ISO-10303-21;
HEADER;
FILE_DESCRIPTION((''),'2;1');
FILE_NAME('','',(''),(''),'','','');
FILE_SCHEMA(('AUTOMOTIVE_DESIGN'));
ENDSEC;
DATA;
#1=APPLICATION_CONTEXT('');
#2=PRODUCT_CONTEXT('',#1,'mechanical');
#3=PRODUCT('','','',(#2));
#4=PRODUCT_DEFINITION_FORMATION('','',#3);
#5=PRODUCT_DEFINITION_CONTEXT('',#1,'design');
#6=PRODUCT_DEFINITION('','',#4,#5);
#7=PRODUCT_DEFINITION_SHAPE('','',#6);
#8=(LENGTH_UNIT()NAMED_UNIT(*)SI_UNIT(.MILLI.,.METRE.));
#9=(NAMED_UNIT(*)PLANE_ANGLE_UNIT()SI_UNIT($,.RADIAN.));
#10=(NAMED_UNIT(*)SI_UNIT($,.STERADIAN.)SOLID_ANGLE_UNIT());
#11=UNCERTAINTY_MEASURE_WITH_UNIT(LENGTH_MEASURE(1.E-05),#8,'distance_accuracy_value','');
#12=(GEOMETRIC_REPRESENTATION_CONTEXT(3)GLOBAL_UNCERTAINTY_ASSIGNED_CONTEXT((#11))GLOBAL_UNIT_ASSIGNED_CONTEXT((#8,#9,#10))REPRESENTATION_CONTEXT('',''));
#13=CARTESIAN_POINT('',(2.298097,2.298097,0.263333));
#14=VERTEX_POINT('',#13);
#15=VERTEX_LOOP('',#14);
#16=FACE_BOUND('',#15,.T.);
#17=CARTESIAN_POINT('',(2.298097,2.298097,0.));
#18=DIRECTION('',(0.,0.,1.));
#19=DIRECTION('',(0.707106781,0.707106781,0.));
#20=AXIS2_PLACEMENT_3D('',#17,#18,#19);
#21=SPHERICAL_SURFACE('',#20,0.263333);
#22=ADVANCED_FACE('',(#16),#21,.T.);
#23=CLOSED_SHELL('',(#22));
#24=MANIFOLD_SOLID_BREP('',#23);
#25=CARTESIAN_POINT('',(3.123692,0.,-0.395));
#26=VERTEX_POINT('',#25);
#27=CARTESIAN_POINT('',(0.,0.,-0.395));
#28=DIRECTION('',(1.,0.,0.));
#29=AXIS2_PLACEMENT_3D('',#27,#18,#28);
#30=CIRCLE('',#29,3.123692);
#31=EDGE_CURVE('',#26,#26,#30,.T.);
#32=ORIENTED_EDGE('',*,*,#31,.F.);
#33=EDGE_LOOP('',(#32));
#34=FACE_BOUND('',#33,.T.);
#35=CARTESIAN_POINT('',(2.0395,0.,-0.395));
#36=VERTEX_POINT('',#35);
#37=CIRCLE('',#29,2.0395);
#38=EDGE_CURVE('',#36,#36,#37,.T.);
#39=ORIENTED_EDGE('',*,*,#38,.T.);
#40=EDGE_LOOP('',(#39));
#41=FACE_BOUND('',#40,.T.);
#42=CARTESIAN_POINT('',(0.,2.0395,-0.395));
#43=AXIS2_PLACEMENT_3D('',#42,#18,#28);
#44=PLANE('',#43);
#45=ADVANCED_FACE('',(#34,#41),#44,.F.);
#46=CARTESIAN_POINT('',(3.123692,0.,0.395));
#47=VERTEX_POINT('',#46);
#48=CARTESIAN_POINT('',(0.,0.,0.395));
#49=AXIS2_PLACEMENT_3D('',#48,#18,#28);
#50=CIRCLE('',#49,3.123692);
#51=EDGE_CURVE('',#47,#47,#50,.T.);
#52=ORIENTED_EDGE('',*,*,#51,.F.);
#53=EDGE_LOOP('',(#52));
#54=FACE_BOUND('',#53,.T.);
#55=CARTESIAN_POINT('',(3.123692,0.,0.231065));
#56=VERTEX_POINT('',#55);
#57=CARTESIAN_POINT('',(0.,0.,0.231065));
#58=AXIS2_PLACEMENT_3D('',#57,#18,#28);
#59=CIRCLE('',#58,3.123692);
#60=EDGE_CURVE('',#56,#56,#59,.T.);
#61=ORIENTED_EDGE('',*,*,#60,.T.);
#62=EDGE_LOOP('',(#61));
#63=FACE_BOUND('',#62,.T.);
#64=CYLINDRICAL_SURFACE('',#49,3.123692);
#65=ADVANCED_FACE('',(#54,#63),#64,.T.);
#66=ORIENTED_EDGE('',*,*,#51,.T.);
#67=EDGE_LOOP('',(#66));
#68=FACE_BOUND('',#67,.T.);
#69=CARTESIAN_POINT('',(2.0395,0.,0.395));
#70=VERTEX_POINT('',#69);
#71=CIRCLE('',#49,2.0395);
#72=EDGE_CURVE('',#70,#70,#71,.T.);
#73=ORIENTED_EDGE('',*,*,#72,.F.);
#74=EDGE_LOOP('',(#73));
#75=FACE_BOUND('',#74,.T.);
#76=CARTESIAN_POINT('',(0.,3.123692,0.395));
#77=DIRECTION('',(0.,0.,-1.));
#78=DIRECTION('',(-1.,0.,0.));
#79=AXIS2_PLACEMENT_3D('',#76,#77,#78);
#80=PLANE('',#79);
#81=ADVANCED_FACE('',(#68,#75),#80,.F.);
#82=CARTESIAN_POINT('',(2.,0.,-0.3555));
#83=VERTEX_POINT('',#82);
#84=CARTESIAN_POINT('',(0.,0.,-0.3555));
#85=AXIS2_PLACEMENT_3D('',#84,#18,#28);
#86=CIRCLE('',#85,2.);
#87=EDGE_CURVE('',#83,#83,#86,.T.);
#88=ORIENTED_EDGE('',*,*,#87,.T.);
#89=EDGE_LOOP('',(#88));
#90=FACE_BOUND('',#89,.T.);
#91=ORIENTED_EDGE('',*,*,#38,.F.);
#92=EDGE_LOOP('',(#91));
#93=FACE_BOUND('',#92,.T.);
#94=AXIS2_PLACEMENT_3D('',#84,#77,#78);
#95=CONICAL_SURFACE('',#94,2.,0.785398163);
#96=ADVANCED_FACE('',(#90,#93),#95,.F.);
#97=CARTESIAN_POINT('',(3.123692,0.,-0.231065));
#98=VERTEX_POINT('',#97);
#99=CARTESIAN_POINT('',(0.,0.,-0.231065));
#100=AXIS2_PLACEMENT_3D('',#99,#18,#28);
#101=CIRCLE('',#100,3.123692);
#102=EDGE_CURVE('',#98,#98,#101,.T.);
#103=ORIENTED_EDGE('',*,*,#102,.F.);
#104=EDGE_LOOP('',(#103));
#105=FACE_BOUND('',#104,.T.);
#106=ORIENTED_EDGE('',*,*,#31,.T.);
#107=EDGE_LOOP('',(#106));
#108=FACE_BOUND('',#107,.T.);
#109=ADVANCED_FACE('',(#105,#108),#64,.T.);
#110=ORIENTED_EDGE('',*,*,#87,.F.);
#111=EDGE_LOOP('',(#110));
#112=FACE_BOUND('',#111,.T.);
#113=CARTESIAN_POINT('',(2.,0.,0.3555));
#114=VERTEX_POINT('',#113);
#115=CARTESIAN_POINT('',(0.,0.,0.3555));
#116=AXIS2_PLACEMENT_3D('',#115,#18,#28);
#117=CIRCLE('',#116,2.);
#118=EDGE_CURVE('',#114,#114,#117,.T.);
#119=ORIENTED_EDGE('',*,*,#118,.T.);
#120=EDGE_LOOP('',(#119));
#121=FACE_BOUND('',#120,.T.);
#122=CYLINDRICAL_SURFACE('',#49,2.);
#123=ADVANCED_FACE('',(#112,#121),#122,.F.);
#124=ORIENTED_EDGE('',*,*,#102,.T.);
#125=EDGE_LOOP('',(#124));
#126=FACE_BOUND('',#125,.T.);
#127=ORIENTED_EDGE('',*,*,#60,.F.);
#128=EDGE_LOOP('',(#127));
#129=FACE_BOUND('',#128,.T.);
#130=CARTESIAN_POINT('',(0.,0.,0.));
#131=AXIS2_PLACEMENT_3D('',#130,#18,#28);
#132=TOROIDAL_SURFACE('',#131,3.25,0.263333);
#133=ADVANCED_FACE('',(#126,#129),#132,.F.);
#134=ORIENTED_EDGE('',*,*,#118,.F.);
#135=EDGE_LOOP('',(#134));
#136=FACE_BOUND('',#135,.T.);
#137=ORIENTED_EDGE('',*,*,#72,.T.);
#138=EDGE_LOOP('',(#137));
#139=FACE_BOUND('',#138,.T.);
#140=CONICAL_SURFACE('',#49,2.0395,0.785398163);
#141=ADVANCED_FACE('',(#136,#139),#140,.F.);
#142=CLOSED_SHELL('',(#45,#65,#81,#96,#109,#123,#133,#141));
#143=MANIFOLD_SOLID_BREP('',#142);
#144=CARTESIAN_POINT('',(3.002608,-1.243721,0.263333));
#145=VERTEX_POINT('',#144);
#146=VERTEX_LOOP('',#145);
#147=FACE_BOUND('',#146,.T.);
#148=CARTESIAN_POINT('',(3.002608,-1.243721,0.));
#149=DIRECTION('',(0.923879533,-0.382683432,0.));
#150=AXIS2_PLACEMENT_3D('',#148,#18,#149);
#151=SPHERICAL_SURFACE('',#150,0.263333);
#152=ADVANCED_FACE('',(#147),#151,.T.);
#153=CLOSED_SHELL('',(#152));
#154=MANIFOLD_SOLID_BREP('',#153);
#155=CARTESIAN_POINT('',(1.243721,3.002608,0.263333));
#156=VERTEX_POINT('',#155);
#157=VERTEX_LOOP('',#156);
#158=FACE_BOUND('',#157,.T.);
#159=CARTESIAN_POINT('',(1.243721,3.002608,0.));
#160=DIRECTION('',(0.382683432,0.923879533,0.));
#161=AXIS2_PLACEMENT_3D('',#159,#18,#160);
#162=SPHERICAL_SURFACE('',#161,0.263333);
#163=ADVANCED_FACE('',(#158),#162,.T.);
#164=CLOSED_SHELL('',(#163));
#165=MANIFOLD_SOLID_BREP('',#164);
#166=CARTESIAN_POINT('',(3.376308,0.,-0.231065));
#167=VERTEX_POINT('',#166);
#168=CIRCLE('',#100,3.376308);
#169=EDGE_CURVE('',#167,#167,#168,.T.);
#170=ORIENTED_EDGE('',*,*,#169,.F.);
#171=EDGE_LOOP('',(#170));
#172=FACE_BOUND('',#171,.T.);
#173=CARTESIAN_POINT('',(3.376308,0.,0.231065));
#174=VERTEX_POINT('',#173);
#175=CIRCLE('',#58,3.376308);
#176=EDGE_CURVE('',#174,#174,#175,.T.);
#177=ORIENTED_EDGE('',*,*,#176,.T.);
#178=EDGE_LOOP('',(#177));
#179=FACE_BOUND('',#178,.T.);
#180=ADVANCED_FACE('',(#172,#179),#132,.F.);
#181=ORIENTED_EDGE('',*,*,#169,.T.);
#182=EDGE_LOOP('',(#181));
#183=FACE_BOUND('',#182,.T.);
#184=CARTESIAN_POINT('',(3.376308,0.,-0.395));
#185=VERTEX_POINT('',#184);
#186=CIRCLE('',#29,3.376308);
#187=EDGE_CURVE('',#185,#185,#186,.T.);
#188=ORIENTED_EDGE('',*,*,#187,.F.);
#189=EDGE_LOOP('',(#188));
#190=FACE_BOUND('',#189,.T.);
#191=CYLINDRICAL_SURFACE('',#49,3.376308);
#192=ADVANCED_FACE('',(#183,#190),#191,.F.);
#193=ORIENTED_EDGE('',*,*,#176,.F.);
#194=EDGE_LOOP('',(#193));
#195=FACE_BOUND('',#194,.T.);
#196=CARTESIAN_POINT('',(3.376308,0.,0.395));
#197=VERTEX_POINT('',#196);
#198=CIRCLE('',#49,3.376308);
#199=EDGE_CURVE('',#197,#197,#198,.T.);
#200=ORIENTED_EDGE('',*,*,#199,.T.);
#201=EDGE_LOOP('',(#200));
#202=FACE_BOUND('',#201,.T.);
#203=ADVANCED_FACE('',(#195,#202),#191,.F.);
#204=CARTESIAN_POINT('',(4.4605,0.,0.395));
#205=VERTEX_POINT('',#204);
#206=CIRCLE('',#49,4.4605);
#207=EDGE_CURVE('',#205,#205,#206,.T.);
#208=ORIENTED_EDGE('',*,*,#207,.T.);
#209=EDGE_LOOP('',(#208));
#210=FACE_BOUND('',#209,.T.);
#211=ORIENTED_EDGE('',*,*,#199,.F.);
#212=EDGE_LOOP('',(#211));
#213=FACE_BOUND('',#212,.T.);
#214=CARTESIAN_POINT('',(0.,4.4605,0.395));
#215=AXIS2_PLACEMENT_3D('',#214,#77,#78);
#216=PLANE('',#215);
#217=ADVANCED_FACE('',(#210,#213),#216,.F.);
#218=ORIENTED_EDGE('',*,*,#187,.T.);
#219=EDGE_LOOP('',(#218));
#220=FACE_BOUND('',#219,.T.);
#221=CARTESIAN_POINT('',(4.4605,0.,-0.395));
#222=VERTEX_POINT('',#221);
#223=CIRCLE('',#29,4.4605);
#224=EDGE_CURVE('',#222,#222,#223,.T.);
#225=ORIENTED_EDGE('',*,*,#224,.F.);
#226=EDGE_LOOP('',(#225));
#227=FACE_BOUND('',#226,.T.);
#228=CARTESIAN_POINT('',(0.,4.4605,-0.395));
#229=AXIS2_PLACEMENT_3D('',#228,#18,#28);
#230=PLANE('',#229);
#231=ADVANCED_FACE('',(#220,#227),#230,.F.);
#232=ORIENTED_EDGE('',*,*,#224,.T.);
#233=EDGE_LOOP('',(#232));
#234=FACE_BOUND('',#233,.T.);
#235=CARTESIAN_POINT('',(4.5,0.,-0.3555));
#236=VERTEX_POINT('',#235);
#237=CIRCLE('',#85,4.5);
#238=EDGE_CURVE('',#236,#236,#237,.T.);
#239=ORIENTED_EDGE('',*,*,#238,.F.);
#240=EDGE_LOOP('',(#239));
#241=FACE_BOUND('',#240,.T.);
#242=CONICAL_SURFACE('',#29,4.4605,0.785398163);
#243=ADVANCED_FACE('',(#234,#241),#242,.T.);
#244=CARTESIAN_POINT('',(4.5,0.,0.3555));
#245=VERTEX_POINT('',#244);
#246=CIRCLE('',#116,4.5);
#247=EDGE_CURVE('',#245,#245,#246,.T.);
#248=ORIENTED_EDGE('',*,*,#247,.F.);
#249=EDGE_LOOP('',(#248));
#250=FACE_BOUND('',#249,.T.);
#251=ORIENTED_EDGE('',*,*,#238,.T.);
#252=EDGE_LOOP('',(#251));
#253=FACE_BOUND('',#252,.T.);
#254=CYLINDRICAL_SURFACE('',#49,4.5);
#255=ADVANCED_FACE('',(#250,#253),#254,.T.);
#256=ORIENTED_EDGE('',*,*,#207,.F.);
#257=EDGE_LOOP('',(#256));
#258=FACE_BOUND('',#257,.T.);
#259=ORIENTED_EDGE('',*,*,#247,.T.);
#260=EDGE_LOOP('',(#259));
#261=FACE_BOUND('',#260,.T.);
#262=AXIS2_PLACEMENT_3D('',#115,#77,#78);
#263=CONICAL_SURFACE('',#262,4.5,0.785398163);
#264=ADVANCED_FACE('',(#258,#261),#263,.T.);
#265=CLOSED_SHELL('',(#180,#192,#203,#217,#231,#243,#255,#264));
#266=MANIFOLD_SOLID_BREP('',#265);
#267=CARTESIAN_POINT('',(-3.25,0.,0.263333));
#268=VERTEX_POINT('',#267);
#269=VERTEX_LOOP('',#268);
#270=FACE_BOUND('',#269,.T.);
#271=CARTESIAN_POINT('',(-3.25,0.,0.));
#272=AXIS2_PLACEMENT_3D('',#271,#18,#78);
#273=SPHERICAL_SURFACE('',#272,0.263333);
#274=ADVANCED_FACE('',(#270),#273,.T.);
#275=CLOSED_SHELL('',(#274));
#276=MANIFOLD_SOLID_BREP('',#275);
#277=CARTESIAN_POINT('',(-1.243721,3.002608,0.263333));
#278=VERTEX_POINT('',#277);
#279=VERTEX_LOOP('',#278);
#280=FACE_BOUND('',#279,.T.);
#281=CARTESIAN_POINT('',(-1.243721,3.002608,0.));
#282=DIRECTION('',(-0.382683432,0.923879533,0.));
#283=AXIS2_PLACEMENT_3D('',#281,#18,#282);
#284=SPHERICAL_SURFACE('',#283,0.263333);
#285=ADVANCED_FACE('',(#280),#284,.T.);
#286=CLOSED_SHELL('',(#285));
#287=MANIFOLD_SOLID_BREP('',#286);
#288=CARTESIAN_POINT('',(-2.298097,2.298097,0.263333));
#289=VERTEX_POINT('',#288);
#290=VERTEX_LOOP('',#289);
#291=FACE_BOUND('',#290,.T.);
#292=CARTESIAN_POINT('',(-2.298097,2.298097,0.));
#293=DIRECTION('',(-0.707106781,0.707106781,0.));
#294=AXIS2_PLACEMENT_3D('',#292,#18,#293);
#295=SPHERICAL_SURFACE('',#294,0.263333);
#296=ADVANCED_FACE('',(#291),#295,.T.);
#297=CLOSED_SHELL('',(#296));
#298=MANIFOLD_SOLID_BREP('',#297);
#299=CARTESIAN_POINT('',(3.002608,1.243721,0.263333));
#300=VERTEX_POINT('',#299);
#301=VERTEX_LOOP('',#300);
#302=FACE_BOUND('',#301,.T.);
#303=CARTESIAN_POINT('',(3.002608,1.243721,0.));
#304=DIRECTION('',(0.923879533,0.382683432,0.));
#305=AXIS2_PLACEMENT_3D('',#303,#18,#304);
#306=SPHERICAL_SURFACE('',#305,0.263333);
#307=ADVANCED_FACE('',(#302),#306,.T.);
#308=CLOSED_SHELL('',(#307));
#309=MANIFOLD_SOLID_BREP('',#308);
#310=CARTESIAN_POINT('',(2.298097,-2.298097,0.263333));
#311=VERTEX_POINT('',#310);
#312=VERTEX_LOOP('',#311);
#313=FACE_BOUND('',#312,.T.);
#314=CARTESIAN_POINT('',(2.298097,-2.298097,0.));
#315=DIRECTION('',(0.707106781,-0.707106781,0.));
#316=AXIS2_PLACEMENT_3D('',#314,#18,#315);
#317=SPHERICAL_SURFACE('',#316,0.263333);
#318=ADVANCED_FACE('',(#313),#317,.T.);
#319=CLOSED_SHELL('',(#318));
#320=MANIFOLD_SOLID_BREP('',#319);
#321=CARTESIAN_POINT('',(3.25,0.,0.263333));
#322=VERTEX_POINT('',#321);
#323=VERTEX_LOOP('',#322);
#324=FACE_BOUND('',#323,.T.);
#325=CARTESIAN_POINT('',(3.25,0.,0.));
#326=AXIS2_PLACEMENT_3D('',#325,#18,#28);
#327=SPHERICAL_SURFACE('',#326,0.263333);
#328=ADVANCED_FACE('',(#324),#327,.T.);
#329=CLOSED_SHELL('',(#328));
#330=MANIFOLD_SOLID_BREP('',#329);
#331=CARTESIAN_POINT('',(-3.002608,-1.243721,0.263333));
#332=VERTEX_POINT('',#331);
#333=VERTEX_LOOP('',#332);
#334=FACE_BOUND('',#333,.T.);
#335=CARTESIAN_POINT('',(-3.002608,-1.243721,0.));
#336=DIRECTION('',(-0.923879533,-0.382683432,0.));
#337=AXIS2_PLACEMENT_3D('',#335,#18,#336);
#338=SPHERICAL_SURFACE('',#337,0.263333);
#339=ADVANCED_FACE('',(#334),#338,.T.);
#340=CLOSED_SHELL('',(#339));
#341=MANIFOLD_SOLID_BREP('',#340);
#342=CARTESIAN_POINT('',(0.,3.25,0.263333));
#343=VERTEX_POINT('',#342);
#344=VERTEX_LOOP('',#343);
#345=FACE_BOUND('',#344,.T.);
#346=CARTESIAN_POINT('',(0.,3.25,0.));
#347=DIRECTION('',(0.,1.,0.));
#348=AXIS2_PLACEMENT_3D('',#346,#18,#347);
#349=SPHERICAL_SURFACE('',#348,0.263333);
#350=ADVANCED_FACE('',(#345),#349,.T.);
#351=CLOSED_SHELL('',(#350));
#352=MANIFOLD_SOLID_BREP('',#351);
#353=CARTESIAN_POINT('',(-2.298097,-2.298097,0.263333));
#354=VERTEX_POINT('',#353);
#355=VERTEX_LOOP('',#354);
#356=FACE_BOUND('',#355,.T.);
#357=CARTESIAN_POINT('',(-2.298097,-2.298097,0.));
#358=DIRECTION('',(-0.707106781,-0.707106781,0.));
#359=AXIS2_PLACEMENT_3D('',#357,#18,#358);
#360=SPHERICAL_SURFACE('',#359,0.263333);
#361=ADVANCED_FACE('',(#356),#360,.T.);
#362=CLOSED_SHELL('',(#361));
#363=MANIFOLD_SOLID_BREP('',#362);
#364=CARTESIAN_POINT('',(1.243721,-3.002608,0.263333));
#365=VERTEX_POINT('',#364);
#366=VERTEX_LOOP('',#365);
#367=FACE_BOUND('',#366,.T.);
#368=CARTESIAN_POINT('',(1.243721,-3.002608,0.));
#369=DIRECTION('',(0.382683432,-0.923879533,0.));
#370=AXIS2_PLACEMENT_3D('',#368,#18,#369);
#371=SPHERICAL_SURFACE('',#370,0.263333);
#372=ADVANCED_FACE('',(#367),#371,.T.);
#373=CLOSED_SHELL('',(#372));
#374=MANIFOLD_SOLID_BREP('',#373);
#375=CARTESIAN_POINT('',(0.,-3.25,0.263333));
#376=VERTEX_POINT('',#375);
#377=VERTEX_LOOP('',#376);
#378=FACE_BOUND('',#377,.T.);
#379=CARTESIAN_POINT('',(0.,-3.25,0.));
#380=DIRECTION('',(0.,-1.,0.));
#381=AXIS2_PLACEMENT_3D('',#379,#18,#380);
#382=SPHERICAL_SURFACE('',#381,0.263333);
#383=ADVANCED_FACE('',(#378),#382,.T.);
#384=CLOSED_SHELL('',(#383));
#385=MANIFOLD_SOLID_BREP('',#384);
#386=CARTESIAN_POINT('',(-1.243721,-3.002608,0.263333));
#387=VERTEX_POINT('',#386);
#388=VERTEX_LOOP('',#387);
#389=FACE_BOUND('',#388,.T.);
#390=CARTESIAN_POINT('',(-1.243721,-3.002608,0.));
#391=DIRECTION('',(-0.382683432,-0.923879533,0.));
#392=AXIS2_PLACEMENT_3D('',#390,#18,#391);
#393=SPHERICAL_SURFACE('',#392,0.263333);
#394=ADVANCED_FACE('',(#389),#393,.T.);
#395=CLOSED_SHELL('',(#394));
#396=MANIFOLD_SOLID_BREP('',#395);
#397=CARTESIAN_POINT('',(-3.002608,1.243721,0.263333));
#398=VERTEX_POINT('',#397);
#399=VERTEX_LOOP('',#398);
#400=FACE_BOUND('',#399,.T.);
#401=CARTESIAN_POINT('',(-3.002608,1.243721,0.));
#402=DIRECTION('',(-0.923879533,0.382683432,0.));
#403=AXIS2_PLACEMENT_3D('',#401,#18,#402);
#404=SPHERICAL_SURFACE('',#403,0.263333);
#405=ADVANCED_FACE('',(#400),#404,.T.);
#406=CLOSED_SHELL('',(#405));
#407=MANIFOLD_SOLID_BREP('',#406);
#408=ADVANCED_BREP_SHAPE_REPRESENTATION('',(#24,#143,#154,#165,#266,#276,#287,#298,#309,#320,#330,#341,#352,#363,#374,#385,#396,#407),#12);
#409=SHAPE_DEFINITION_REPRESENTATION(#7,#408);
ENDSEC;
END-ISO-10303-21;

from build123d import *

# Parameters (mm, degrees)
CIRPATTERN1_COUNT = 16


with BuildPart() as part:
    # Sketch1 → Revolve1 (revolve)
    with BuildSketch(Plane(origin=(0, 0, 0), x_dir=(0, 0, -1), z_dir=(1, 0, 0))):
        with BuildLine():
            Line((0.3555, 4.5), (-0.3555, 4.5))
            Line((-0.3555, 4.5), (-0.395, 4.4605))
            Line((-0.395, 4.4605), (-0.395, 3.376307692))
            Line((-0.395, 3.376307692), (-0.231064518, 3.376307692))
            ThreePointArc((-0.231064518, 3.376307692), (0, 3.513333333), (0.231064518, 3.376307692))
            Line((0.231064518, 3.376307692), (0.395, 3.376307692))
            Line((0.395, 3.376307692), (0.395, 4.4605))
            Line((0.395, 4.4605), (0.3555, 4.5))
        make_face()
    revolve(axis=Axis((0, 0, 0.395), (0, 0, -1)))


with BuildPart() as body_2:
    # Sketch3 → Revolve3 (revolve)
    with BuildSketch(Plane(origin=(0, 0, 0), x_dir=(0, 0, -1), z_dir=(1, 0, 0))):
        with BuildLine():
            Line((-0.395, 3.123692308), (-0.231064518, 3.123692308))
            ThreePointArc((-0.231064518, 3.123692308), (0, 2.986666667), (0.231064518, 3.123692308))
            Line((0.231064518, 3.123692308), (0.395, 3.123692308))
            Line((0.395, 3.123692308), (0.395, 2.0395))
            Line((0.395, 2.0395), (0.3555, 2))
            Line((0.3555, 2), (-0.3555, 2))
            Line((-0.3555, 2), (-0.395, 2.0395))
            Line((-0.395, 2.0395), (-0.395, 3.123692308))
        make_face()
    revolve(axis=Axis((0, 0, 0.395), (0, 0, -1)))


with BuildPart() as body_3:
    # Sketch4 → Revolve4 (revolve)
    with BuildSketch(Plane(origin=(0, 0, 0), x_dir=(0, 0, -1), z_dir=(1, 0, 0))):
        with BuildLine():
            Line((-0.263333333, 3.25), (0.263333333, 3.25))
            ThreePointArc((0.263333333, 3.25), (0, 3.513333333), (-0.263333333, 3.25))
        make_face()
    revolve(axis=Axis((0, 3.25, 0.263333333), (0, 0, -1)))


with BuildPart() as cirpattern1_1:
    # CirPattern1: pattern copy
    add(body_3.part.rotate(Axis((0, 0, -0.395), (0, 0, 1)), 1 * 360 / CIRPATTERN1_COUNT))


with BuildPart() as cirpattern1_2:
    # CirPattern1: pattern copy
    add(body_3.part.rotate(Axis((0, 0, -0.395), (0, 0, 1)), 2 * 360 / CIRPATTERN1_COUNT))


with BuildPart() as cirpattern1_3:
    # CirPattern1: pattern copy
    add(body_3.part.rotate(Axis((0, 0, -0.395), (0, 0, 1)), 3 * 360 / CIRPATTERN1_COUNT))


with BuildPart() as cirpattern1_4:
    # CirPattern1: pattern copy
    add(body_3.part.rotate(Axis((0, 0, -0.395), (0, 0, 1)), 4 * 360 / CIRPATTERN1_COUNT))


with BuildPart() as cirpattern1_5:
    # CirPattern1: pattern copy
    add(body_3.part.rotate(Axis((0, 0, -0.395), (0, 0, 1)), 5 * 360 / CIRPATTERN1_COUNT))


with BuildPart() as cirpattern1_6:
    # CirPattern1: pattern copy
    add(body_3.part.rotate(Axis((0, 0, -0.395), (0, 0, 1)), 6 * 360 / CIRPATTERN1_COUNT))


with BuildPart() as cirpattern1_7:
    # CirPattern1: pattern copy
    add(body_3.part.rotate(Axis((0, 0, -0.395), (0, 0, 1)), 7 * 360 / CIRPATTERN1_COUNT))


with BuildPart() as cirpattern1_8:
    # CirPattern1: pattern copy
    add(body_3.part.rotate(Axis((0, 0, -0.395), (0, 0, 1)), 8 * 360 / CIRPATTERN1_COUNT))


with BuildPart() as cirpattern1_9:
    # CirPattern1: pattern copy
    add(body_3.part.rotate(Axis((0, 0, -0.395), (0, 0, 1)), 9 * 360 / CIRPATTERN1_COUNT))


with BuildPart() as cirpattern1_10:
    # CirPattern1: pattern copy
    add(body_3.part.rotate(Axis((0, 0, -0.395), (0, 0, 1)), 10 * 360 / CIRPATTERN1_COUNT))


with BuildPart() as cirpattern1_11:
    # CirPattern1: pattern copy
    add(body_3.part.rotate(Axis((0, 0, -0.395), (0, 0, 1)), 11 * 360 / CIRPATTERN1_COUNT))


with BuildPart() as cirpattern1_12:
    # CirPattern1: pattern copy
    add(body_3.part.rotate(Axis((0, 0, -0.395), (0, 0, 1)), 12 * 360 / CIRPATTERN1_COUNT))


with BuildPart() as cirpattern1_13:
    # CirPattern1: pattern copy
    add(body_3.part.rotate(Axis((0, 0, -0.395), (0, 0, 1)), 13 * 360 / CIRPATTERN1_COUNT))


with BuildPart() as cirpattern1_14:
    # CirPattern1: pattern copy
    add(body_3.part.rotate(Axis((0, 0, -0.395), (0, 0, 1)), 14 * 360 / CIRPATTERN1_COUNT))


with BuildPart() as cirpattern1_15:
    # CirPattern1: pattern copy
    add(body_3.part.rotate(Axis((0, 0, -0.395), (0, 0, 1)), 15 * 360 / CIRPATTERN1_COUNT))


solid = Compound([part.part, body_2.part, body_3.part, cirpattern1_1.part, cirpattern1_2.part, cirpattern1_3.part, cirpattern1_4.part, cirpattern1_5.part, cirpattern1_6.part, cirpattern1_7.part, cirpattern1_8.part, cirpattern1_9.part, cirpattern1_10.part, cirpattern1_11.part, cirpattern1_12.part, cirpattern1_13.part, cirpattern1_14.part, cirpattern1_15.part])
